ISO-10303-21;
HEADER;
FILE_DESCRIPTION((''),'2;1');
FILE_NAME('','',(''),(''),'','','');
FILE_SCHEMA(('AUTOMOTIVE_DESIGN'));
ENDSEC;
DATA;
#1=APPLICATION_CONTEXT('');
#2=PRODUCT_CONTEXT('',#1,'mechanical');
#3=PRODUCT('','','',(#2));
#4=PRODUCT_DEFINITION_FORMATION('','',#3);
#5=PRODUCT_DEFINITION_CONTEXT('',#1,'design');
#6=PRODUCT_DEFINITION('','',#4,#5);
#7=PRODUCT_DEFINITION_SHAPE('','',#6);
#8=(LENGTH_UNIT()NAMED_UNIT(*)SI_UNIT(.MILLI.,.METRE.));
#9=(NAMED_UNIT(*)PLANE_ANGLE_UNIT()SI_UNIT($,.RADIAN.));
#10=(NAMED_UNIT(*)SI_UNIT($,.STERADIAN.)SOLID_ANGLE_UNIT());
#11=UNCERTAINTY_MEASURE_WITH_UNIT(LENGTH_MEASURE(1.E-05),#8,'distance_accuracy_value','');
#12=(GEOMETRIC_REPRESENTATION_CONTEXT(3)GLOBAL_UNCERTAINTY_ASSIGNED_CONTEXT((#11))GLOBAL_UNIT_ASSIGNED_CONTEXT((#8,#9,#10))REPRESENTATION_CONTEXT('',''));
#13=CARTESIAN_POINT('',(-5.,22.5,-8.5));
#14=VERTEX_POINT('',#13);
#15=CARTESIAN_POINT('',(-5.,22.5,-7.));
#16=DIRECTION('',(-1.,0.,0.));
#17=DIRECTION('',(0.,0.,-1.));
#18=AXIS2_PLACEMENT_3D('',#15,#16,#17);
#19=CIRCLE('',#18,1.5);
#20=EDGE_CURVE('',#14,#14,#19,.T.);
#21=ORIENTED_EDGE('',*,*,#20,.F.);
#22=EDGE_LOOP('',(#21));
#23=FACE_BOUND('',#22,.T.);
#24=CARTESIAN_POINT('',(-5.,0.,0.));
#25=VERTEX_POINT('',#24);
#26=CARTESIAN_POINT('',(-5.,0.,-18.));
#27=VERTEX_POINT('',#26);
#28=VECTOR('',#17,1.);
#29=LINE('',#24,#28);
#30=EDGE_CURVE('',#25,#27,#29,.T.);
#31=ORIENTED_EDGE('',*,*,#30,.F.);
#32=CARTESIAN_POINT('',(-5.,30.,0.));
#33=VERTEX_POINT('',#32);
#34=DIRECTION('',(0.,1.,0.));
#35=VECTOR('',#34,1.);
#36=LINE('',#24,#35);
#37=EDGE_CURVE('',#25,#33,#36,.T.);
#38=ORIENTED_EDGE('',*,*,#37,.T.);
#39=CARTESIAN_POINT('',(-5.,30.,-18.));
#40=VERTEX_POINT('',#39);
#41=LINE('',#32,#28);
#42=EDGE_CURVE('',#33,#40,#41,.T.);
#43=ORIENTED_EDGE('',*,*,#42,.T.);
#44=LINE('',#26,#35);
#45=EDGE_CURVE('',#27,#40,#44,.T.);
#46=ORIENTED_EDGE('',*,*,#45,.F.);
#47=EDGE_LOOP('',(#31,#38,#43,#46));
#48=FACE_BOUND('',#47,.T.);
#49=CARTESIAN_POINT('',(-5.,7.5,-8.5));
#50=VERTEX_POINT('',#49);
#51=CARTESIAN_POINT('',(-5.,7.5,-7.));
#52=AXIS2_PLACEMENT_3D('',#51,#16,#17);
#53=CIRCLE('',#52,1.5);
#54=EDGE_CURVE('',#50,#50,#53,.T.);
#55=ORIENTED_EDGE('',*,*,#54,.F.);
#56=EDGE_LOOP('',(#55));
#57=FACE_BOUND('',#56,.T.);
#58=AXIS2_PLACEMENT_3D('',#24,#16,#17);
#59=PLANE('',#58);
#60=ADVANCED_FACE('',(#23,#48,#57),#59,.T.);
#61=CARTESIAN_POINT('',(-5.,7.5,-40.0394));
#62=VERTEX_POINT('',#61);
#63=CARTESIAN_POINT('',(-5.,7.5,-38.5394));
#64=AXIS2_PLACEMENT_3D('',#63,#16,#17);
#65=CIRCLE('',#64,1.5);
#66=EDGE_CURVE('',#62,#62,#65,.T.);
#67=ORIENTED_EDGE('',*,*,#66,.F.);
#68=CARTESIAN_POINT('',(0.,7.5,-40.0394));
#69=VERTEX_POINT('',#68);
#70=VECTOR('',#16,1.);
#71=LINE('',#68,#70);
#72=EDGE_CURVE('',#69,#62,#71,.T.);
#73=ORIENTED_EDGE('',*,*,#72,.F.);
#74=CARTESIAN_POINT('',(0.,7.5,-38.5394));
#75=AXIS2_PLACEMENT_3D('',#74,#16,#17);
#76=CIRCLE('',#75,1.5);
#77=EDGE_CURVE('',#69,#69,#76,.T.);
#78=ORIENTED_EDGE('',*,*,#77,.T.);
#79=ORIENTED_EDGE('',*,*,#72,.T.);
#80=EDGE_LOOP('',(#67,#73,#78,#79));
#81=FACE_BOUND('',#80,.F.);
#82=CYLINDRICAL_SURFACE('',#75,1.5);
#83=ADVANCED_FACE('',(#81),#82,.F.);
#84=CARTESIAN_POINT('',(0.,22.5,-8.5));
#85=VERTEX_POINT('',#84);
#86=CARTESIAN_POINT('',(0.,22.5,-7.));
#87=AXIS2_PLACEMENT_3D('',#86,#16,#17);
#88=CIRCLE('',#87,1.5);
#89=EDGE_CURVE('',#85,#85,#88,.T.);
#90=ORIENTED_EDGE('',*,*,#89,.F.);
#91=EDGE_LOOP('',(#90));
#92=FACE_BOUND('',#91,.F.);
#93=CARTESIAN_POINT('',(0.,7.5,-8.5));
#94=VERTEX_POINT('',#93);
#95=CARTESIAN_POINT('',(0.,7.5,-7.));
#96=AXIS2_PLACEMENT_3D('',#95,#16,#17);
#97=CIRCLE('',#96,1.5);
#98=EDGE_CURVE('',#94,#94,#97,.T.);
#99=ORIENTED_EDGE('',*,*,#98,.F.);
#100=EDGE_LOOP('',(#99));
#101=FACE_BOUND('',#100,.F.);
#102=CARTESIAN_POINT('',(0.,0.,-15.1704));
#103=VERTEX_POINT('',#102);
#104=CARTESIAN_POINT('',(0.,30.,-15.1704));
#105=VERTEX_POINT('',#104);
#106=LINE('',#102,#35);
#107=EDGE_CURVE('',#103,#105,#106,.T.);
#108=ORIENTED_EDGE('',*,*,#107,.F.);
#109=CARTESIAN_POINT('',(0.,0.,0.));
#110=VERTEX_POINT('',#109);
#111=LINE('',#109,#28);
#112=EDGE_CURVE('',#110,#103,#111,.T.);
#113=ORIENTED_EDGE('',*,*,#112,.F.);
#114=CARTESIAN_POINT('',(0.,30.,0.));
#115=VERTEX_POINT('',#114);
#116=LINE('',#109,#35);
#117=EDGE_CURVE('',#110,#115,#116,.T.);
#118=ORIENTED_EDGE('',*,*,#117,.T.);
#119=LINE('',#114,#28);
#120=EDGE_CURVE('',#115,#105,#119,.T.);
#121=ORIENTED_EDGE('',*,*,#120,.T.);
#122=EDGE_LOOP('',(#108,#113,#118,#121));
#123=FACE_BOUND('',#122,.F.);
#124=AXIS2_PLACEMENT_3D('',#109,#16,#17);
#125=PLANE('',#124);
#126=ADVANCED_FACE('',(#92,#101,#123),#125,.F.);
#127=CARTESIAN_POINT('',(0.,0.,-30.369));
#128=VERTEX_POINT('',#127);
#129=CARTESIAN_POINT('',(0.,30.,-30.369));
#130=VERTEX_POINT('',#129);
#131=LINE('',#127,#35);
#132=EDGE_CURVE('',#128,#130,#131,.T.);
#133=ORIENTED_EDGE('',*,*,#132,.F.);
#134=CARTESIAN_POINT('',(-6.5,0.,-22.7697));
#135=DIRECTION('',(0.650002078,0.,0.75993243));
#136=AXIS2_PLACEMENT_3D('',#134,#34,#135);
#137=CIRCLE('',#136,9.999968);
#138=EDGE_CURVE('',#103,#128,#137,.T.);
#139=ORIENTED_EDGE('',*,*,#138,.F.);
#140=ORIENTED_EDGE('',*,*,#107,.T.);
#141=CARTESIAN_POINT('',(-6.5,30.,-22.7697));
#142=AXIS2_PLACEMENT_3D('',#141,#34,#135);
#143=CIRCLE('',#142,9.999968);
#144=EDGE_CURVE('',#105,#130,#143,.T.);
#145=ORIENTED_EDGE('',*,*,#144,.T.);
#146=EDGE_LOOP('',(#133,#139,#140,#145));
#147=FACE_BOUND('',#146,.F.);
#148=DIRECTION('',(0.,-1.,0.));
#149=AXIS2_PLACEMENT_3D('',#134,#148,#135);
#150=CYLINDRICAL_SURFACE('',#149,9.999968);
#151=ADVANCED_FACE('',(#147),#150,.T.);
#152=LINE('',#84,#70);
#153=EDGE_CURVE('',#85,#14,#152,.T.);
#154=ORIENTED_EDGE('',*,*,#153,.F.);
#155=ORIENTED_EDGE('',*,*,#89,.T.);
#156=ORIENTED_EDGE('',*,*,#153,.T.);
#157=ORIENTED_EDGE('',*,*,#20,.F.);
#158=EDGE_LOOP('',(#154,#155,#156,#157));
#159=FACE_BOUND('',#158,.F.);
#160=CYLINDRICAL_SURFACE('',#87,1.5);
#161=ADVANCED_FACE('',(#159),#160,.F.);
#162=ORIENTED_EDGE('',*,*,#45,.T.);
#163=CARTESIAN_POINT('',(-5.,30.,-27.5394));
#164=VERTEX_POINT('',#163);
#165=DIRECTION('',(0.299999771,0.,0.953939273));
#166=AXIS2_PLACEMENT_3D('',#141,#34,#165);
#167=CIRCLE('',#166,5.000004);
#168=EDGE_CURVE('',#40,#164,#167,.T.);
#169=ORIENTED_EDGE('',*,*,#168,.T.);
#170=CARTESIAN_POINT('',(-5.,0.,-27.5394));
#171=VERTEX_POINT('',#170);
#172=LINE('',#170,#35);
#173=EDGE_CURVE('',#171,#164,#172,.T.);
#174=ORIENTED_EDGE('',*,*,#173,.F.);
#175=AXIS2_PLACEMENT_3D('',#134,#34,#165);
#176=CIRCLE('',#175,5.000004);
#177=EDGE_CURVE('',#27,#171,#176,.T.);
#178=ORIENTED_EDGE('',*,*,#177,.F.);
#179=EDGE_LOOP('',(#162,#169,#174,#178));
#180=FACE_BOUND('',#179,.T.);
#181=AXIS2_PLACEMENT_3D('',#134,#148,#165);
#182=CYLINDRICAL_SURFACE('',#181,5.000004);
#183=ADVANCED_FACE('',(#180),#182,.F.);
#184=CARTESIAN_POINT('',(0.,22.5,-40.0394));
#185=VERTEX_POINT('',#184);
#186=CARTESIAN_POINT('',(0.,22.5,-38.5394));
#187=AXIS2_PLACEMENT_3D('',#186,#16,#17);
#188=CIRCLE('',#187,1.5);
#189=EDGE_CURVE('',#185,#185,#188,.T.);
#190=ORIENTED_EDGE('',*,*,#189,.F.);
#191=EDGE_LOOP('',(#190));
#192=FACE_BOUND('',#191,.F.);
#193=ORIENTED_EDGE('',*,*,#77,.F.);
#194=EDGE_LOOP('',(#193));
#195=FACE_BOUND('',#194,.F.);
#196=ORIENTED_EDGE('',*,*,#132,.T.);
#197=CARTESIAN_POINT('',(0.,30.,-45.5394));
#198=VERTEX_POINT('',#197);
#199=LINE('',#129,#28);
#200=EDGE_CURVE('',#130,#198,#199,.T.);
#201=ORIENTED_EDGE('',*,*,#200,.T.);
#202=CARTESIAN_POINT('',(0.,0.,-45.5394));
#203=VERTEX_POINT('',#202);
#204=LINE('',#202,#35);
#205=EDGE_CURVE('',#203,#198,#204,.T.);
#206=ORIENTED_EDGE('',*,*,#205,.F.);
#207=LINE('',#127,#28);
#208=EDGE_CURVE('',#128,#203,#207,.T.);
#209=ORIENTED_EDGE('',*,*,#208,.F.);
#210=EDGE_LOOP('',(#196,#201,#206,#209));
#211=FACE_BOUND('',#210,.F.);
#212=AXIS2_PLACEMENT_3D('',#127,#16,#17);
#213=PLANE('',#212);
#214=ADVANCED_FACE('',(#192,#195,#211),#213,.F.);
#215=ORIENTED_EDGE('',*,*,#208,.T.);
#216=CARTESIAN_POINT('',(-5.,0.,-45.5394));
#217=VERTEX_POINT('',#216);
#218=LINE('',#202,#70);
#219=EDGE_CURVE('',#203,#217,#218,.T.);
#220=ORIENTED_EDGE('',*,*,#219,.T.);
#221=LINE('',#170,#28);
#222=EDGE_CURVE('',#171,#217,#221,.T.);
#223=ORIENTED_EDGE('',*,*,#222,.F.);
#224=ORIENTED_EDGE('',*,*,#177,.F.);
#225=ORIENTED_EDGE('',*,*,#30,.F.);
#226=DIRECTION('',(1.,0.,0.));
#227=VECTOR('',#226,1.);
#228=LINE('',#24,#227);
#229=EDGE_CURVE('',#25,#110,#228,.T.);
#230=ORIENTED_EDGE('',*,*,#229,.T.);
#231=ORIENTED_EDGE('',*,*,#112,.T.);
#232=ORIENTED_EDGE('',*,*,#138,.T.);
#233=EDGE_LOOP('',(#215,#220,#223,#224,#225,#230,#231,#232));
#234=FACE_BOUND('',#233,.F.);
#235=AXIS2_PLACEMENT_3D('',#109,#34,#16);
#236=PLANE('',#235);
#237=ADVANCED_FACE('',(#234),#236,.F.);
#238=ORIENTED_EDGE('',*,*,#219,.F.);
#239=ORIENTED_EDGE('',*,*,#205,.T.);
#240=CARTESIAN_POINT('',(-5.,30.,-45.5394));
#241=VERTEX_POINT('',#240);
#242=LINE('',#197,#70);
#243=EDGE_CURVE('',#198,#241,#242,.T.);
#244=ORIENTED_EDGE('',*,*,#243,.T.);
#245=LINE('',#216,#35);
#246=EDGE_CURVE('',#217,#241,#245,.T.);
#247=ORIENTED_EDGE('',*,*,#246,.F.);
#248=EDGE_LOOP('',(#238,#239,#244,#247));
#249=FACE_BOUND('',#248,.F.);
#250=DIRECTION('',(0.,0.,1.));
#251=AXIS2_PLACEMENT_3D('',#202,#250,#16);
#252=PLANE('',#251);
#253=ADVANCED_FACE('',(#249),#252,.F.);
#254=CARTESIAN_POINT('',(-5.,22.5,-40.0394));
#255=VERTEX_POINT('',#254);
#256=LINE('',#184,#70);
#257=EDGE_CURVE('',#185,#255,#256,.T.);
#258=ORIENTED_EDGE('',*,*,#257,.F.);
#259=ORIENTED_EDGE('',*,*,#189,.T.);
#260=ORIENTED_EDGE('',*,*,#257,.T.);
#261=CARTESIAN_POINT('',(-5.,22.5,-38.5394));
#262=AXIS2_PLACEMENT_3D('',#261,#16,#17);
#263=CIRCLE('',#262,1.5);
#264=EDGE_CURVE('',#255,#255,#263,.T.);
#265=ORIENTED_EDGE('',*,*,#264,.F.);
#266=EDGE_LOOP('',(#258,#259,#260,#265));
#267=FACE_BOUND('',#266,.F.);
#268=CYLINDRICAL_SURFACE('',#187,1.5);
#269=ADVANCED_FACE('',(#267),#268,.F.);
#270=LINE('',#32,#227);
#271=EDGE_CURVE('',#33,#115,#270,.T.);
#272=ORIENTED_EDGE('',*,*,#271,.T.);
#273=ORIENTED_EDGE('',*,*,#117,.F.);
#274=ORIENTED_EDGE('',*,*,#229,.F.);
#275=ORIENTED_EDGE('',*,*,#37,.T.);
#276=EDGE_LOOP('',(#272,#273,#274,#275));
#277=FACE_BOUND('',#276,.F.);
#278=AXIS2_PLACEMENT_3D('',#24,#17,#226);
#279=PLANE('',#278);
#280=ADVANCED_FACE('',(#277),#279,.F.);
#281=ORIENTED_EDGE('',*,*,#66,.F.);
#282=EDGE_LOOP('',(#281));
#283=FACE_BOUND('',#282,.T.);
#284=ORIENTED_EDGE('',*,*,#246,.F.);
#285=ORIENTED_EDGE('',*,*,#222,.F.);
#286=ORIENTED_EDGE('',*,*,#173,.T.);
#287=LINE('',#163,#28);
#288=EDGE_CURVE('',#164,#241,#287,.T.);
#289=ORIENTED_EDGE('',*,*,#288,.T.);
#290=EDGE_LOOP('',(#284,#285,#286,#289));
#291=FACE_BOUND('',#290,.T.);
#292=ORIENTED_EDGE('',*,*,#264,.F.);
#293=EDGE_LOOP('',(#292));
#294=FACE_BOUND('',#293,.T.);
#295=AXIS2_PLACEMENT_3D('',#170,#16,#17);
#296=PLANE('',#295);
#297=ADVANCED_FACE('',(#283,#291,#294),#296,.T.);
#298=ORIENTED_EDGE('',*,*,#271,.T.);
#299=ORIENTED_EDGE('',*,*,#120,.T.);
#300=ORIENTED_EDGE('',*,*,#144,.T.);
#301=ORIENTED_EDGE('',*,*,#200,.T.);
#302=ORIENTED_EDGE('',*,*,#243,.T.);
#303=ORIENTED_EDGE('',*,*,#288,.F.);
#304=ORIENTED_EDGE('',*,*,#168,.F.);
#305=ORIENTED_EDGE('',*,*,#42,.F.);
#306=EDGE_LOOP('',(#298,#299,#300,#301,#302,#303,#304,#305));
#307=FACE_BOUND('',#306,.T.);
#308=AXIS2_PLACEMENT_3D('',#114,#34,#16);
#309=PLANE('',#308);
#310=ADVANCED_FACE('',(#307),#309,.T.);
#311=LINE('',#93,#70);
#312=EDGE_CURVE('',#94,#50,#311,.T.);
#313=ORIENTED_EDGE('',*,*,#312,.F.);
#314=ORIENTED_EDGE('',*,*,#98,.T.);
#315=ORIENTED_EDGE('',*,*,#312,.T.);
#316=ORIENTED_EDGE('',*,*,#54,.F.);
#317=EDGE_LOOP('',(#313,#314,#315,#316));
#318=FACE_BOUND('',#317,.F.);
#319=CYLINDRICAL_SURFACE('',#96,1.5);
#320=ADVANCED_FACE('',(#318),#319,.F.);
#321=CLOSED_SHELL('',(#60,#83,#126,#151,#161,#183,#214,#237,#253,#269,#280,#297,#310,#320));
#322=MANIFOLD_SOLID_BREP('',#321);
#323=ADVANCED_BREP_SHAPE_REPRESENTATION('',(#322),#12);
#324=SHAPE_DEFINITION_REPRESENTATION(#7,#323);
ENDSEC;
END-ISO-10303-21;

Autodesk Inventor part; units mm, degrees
ref_plane "YZ Plane" through (0, 0, 0) normal (1, 0, 0) x (0, 1, 0)
ref_plane "XZ Plane" through (0, 0, 0) normal (0, 1, 0) x (-1, 0, 0)
ref_plane "XY Plane" through (0, 0, 0) normal (0, 0, 1) x (1, 0, 0)
sketch "Sketch1" plane through (0, 0, 0) normal (0, 1, 0) x (-1, 0, 0)
  arc A0 (5, -18) -> (5, -27.5394) centre (6.5, -22.7697) ccw
  line L0 (5, 0) -> (5, -18)
  line L1 (5, -27.5394) -> (5, -45.5394)
  line L2 (5, -18) -> (5, -27.5394) construction
  line L3 (5, -22.7697) -> (6.5, -22.7697) construction
  arc A1 (0, -15.1704) -> (0, -30.369) centre (6.5, -22.7697) ccw
  line L4 (0, 0) -> (0, -15.1704)
  line L5 (0, -30.369) -> (0, -45.5394)
  line L6 (5, 0) -> (0, 0)
  line L7 (0, -45.5394) -> (5, -45.5394)
  dimension "d0" = 10
  dimension "d1" = 1.5
  dimension "d2" = 5
  dimension "d4" = 5
  dimension "d5" = 18
extrude "Extrusion1" add sketch "Sketch1" along normal blind 30
sketch "Sketch2" plane through (0, 0, 0) normal (1, 0, 0) x (0, 0, -1)
  line L0 (45.5394, 30) -> (27.5394, 30) projected
  line L1 (38.5394, 30) -> (38.5394, 0)
  line L2 (45.5394, 0) -> (45.5394, 30) projected
  line L3 (18, 30) -> (0, 30) projected
  line L4 (7, 30) -> (7, 0)
  line L5 (0, 0) -> (0, 30) projected
  line L6 (0, 0) -> (15.1704, 0) projected
  line L7 (30.369, 0) -> (45.5394, 0) projected
  point P0 (38.5394, 22.5)
  point P1 (38.5394, 7.5)
  point P2 (7, 22.5)
  point P3 (7, 7.5)
  dimension "d8" = 7
  dimension "d9" = 7
  dimension "d10" = 7.5
  dimension "d11" = 7.5
  dimension "d12" = 7.5
  dimension "d13" = 7.5
  dimension "d14" = 30
  dimension "d15" = 30
hole "Hole1" at (0, 22.5, -38.5394) at (0, 7.5, -38.5394) at (0, 22.5, -7) at (0, 7.5, -7) direction (-1, 0, 0) diameter 3 end through all
equation "\"d11\" = d10"
equation "\"d12\" = d10"
equation "\"d13\" = d10"
properties part number "clampCap"
